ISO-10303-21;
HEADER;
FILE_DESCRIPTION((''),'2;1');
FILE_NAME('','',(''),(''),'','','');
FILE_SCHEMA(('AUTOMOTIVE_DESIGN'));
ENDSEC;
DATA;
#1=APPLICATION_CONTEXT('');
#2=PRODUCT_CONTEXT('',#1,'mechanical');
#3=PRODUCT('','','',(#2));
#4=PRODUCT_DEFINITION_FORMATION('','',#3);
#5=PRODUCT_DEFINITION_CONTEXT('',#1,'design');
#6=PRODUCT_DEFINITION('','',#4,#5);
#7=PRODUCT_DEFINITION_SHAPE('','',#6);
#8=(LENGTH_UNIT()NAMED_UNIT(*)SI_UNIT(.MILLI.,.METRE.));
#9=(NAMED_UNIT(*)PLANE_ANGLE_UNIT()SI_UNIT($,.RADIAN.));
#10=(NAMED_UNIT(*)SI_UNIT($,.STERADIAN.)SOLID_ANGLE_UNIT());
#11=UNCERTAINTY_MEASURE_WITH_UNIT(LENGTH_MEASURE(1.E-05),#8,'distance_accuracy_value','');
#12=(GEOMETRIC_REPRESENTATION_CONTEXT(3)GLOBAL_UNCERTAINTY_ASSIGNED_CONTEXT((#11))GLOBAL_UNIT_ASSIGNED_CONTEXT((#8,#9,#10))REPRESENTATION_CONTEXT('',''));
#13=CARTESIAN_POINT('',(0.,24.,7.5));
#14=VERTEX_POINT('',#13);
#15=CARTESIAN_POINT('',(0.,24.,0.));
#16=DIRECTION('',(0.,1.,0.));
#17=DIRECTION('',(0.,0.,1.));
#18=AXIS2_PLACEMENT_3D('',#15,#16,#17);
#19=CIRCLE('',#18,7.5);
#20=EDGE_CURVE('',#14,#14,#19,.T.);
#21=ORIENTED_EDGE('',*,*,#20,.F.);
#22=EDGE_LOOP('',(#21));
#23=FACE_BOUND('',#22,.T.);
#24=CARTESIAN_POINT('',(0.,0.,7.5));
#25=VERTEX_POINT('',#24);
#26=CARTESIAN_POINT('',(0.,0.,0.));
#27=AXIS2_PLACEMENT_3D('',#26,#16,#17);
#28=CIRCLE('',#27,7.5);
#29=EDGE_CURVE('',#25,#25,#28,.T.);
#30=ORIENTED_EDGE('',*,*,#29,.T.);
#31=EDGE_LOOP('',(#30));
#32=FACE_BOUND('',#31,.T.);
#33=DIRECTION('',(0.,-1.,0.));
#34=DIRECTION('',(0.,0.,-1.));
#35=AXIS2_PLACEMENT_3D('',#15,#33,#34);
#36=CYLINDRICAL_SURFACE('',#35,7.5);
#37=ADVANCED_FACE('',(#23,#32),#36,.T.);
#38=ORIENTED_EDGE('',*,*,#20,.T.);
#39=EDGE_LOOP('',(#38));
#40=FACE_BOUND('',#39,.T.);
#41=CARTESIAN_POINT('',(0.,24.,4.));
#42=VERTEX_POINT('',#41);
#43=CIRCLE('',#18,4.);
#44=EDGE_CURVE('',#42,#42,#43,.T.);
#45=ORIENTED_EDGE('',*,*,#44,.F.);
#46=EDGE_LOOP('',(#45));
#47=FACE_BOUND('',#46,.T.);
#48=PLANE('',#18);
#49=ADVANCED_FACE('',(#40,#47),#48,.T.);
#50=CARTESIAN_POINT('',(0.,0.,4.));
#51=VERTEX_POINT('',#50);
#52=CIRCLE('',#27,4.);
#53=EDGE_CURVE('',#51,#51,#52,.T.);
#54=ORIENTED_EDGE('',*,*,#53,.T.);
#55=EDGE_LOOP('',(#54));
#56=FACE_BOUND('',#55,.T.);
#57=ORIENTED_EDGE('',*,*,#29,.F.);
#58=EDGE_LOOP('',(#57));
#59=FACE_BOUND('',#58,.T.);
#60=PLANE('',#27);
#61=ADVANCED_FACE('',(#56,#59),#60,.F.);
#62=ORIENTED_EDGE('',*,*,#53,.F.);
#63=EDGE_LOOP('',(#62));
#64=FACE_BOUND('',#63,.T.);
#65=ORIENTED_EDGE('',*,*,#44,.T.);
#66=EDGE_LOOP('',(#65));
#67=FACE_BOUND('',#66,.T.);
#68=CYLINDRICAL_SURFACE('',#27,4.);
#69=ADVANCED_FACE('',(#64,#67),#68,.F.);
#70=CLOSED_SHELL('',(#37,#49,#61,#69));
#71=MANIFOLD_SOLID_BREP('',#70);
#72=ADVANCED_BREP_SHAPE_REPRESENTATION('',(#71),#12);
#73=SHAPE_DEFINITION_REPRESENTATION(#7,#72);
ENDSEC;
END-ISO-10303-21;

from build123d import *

# Parameters (mm, degrees)
SKETCH_1_R          = 7.5
EXTRUDE_1_DEPTH     = 24
SKETCH_2_R          = 4
CUT_EXTRUDE_1_DEPTH = 25


with BuildPart() as part:
    # 草图1 → 凸台-拉伸1 (new body)
    with BuildSketch(Plane(origin=(0, 0, 0), x_dir=(1, 0, 0), z_dir=(0, 1, 0))):
        Circle(SKETCH_1_R)
    extrude(amount=EXTRUDE_1_DEPTH)

    # 草图2 → 切除-拉伸1 (cut, through all)
    with BuildSketch(Plane(origin=(0, 24, 0), x_dir=(1, 0, 0), z_dir=(0, 1, 0))):
        Circle(SKETCH_2_R)
    extrude(amount=-CUT_EXTRUDE_1_DEPTH, mode=Mode.SUBTRACT)


solid = part.part
